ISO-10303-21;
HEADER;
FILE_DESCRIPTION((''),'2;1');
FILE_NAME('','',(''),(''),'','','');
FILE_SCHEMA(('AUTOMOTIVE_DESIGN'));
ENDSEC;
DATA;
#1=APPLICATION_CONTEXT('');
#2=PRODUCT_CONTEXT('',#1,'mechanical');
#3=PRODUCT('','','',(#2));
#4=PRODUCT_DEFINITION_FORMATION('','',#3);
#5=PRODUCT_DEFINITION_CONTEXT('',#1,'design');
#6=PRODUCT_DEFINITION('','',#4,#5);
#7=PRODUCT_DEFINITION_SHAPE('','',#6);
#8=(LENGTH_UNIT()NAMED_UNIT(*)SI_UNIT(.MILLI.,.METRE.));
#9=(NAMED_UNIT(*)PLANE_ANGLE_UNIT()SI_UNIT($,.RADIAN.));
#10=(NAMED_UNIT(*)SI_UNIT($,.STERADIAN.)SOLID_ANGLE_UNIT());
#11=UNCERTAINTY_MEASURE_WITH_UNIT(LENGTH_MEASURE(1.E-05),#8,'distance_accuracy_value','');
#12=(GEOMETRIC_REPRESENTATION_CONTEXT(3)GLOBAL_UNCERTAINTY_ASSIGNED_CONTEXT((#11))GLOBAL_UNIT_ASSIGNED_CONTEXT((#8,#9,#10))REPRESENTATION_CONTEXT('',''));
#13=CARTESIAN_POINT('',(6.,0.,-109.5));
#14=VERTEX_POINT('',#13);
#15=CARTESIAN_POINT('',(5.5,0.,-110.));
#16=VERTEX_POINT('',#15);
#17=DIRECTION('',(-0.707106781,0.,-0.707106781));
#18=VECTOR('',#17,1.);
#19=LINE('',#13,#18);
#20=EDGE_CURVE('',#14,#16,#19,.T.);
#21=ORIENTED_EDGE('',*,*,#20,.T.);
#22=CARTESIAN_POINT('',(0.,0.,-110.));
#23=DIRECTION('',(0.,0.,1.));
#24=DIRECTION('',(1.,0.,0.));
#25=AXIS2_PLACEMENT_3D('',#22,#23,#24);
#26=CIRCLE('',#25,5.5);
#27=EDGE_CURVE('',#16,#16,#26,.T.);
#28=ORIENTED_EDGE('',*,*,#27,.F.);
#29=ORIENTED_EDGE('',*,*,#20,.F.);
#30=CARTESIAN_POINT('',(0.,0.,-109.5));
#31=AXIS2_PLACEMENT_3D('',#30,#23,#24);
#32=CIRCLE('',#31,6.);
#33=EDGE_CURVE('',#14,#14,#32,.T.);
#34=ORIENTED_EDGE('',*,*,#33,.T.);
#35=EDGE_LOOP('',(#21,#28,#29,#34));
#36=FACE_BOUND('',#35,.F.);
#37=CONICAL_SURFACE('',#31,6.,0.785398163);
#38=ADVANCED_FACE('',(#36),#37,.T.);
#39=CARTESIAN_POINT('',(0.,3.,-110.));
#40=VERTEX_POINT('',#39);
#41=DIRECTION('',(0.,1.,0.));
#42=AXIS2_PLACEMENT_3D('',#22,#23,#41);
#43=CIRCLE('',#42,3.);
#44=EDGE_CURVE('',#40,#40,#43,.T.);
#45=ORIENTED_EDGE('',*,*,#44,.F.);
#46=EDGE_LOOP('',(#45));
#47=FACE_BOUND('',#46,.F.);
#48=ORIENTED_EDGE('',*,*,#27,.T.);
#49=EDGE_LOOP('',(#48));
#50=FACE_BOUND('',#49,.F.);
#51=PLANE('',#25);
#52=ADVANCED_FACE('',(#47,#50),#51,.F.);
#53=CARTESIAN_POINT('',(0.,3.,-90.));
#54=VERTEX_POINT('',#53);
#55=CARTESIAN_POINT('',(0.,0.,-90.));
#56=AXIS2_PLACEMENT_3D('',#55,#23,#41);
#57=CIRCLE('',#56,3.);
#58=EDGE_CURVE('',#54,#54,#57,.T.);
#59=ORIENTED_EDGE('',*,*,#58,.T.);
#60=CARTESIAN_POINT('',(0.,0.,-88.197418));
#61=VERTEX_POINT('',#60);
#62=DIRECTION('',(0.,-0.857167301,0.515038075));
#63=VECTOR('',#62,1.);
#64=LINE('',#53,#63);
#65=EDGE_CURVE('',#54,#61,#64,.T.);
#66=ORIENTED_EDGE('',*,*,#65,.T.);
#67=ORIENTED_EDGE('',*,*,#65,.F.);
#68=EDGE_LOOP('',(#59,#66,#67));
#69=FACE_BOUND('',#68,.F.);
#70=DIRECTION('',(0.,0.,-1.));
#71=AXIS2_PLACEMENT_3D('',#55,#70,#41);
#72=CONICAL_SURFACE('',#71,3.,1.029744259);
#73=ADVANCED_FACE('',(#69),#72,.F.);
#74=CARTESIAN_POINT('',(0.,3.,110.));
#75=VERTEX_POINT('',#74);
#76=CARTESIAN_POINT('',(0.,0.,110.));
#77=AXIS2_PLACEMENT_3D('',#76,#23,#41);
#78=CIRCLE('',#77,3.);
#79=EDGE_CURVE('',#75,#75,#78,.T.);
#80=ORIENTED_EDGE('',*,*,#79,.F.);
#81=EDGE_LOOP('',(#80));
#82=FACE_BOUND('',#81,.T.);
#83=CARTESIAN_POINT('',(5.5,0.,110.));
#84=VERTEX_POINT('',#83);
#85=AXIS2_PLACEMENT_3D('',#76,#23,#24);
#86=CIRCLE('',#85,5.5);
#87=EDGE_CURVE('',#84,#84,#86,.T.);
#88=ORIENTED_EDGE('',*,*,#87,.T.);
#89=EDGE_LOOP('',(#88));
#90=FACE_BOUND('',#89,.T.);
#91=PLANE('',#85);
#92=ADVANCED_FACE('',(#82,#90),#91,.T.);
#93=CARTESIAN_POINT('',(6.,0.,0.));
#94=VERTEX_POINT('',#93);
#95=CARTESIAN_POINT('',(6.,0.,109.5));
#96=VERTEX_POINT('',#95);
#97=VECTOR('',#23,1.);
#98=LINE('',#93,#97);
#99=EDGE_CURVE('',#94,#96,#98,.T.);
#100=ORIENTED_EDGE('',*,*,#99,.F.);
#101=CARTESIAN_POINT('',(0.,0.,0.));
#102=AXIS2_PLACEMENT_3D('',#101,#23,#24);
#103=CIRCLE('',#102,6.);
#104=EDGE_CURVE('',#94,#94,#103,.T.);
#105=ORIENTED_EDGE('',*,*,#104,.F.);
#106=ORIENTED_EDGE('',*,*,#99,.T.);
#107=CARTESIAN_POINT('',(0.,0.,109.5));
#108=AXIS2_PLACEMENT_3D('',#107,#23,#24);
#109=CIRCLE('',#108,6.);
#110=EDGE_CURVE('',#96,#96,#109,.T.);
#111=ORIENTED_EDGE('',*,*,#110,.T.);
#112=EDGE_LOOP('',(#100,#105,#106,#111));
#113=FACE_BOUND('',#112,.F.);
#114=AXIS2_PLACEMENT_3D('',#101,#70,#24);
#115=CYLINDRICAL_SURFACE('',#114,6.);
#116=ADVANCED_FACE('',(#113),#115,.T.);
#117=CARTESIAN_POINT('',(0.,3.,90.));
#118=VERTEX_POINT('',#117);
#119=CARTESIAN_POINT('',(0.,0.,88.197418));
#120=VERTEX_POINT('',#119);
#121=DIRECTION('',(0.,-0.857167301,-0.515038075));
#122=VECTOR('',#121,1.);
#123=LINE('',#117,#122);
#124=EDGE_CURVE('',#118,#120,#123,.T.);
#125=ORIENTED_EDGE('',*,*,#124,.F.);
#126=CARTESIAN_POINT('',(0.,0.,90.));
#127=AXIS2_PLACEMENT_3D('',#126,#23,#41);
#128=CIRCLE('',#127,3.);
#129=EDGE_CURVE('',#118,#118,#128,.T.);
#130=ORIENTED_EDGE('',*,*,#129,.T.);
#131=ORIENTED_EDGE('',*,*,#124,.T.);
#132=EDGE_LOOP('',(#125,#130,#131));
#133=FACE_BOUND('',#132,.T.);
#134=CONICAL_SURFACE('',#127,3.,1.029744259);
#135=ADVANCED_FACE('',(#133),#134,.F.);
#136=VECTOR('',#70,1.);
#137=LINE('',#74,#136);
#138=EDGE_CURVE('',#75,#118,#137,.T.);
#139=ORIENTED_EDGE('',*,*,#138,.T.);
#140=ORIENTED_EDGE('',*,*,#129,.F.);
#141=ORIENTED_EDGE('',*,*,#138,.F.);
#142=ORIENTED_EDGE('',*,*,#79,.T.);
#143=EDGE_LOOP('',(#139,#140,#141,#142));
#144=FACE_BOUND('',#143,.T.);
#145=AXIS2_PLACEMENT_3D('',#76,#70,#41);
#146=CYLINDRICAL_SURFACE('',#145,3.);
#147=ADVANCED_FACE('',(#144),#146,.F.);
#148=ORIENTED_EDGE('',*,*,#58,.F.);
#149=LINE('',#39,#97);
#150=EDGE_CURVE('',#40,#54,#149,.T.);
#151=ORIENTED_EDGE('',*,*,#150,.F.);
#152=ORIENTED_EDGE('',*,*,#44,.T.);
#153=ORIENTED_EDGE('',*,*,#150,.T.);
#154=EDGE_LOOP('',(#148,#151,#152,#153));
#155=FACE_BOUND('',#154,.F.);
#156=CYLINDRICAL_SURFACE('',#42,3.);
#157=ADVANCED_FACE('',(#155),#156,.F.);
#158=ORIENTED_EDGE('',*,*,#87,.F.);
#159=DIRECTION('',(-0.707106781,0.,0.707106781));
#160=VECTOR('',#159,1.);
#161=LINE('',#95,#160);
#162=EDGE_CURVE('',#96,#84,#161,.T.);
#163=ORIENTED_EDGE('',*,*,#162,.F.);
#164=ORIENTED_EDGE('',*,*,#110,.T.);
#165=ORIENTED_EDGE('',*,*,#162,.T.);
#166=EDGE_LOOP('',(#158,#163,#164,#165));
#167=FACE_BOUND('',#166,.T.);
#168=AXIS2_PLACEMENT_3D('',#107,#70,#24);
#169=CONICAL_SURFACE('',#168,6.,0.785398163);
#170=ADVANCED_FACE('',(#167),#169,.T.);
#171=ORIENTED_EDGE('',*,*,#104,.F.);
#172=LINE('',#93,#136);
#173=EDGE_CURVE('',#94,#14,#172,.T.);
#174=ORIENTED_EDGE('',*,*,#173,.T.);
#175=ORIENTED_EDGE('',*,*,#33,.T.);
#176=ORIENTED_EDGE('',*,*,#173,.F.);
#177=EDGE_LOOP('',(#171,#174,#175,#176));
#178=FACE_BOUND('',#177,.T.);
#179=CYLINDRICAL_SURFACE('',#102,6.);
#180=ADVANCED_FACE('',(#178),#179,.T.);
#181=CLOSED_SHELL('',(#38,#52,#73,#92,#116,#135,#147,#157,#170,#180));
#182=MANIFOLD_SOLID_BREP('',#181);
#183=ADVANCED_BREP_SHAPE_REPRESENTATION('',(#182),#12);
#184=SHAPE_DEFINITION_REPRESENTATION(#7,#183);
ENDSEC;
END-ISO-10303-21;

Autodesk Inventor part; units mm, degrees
ref_plane "YZ Plane" through (0, 0, 0) normal (1, 0, 0) x (0, 1, 0)
ref_plane "XZ Plane" through (0, 0, 0) normal (0, 1, 0) x (-1, 0, 0)
ref_plane "XY Plane" through (0, 0, 0) normal (0, 0, 1) x (1, 0, 0)
sketch "Sketch1" plane through (0, 0, 0) normal (0, 0, 1) x (1, 0, 0)
  circle A0 centre (0, 0) radius 6
  dimension "d0" = 12
extrude "Extrusion1" add sketch "Sketch1" along normal mid plane 220
sketch "Sketch2" plane through (0, 0, -110) normal (0, 0, -1) x (-1, 0, 0)
  point P0 (0, 0)
  point P1 (0, 0)
hole "Hole1" at (0, 0, -110) direction (0, 0, 1) diameter 6 depth 20 tip angle 118
thread "Thread1" size "M6x1" class "6H" standard "ANSI Metric M Profile" full length
mirror "Mirror1" about plane through (0, 0, 0) normal (0, 0, 1) of "Hole1"
chamfer "Chamfer2" distance 0.5 angle 45 2 edges at (-6, 0, -110) (-6, 0, 110)
properties part number "Rod-12x220-M6" material "Stainless Steel"
